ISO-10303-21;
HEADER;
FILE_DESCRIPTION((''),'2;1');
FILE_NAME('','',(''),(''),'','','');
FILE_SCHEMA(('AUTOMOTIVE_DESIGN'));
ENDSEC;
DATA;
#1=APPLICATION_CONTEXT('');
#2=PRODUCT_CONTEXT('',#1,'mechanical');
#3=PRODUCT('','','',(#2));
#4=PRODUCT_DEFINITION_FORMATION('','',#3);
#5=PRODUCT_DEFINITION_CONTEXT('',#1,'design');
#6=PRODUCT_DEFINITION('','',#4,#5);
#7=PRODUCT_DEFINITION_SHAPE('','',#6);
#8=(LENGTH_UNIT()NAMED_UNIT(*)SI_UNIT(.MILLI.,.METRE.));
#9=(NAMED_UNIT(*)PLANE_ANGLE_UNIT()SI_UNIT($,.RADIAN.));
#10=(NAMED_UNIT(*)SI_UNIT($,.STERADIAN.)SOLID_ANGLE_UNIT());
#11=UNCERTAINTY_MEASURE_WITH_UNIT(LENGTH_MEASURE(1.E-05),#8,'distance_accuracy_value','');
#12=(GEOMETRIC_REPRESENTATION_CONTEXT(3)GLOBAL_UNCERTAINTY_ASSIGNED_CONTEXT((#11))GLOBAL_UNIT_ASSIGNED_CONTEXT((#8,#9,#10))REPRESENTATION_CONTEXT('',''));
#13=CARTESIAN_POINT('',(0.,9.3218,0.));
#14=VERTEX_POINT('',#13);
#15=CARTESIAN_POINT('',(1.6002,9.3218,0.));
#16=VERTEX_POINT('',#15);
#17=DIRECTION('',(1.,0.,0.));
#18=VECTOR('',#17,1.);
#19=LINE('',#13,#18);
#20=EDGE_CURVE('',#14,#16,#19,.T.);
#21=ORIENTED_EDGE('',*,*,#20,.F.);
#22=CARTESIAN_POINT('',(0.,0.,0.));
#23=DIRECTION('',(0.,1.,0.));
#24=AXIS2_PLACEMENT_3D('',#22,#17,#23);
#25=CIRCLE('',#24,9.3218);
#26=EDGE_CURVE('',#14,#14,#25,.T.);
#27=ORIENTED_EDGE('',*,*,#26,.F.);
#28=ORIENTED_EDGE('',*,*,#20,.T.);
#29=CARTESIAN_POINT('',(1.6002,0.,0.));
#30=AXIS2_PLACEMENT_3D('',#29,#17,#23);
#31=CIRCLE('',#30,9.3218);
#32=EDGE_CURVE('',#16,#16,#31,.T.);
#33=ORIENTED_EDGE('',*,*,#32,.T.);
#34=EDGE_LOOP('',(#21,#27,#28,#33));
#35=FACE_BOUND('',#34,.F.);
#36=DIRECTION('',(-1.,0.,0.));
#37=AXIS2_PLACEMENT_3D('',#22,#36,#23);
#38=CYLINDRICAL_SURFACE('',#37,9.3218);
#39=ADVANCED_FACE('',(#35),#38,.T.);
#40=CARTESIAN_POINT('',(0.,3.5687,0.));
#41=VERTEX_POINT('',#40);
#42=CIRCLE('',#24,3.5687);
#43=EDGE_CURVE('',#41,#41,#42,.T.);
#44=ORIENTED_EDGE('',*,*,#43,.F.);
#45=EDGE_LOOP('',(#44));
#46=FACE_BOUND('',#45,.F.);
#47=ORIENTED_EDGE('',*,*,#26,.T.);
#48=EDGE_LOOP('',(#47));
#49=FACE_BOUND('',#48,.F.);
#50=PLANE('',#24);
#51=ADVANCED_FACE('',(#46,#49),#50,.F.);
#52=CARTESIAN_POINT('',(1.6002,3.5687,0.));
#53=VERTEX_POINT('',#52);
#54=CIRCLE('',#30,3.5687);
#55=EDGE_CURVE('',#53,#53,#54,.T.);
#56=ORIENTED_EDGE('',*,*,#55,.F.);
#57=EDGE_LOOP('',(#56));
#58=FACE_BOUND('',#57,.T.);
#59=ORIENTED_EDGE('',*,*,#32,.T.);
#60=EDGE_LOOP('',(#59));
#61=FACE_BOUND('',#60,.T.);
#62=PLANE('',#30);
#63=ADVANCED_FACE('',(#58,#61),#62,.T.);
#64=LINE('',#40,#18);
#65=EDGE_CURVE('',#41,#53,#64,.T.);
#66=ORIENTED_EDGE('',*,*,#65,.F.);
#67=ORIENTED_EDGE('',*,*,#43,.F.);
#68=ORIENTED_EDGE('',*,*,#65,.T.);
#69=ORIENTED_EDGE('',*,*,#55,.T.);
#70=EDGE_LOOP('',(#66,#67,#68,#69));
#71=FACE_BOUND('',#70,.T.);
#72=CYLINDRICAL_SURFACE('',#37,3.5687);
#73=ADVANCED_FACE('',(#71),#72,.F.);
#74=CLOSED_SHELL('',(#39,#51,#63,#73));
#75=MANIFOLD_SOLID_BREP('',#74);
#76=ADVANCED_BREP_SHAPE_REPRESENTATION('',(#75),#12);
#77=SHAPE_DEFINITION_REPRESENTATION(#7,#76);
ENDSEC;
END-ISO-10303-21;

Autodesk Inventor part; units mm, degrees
ref_plane "YZ Plane" through (0, 0, 0) normal (1, 0, 0) x (0, 1, 0)
ref_plane "XZ Plane" through (0, 0, 0) normal (0, 1, 0) x (-1, 0, 0)
sketch "Sketch" plane through (0, 0, 0) normal (1, 0, 0) x (0, 1, 0)
  circle A0 centre (0, 0) radius 9.3218
  circle A1 centre (0, 0) radius 3.5687
  dimension "d0" = 7.1374
  dimension "d1" = 18.6436
extrude "Body" add sketch "Sketch" along normal blind 1.6002
ref_plane "Work Plane1" through (0, 0, 0) normal (0, 0, 1) x (1, 0, 0)
equation "\"d0\" = SD1"
equation "\"d1\" = SD2"
equation "\"d2\" = SD"
equation "\"SD1\" = 7.1374"
equation "\"SD2\" = 18.6436"
equation "\"SD\" = 1.6002"
equation "\"NND\" = 6.35"
properties part number "am-1027" material "Steel, Mild"
